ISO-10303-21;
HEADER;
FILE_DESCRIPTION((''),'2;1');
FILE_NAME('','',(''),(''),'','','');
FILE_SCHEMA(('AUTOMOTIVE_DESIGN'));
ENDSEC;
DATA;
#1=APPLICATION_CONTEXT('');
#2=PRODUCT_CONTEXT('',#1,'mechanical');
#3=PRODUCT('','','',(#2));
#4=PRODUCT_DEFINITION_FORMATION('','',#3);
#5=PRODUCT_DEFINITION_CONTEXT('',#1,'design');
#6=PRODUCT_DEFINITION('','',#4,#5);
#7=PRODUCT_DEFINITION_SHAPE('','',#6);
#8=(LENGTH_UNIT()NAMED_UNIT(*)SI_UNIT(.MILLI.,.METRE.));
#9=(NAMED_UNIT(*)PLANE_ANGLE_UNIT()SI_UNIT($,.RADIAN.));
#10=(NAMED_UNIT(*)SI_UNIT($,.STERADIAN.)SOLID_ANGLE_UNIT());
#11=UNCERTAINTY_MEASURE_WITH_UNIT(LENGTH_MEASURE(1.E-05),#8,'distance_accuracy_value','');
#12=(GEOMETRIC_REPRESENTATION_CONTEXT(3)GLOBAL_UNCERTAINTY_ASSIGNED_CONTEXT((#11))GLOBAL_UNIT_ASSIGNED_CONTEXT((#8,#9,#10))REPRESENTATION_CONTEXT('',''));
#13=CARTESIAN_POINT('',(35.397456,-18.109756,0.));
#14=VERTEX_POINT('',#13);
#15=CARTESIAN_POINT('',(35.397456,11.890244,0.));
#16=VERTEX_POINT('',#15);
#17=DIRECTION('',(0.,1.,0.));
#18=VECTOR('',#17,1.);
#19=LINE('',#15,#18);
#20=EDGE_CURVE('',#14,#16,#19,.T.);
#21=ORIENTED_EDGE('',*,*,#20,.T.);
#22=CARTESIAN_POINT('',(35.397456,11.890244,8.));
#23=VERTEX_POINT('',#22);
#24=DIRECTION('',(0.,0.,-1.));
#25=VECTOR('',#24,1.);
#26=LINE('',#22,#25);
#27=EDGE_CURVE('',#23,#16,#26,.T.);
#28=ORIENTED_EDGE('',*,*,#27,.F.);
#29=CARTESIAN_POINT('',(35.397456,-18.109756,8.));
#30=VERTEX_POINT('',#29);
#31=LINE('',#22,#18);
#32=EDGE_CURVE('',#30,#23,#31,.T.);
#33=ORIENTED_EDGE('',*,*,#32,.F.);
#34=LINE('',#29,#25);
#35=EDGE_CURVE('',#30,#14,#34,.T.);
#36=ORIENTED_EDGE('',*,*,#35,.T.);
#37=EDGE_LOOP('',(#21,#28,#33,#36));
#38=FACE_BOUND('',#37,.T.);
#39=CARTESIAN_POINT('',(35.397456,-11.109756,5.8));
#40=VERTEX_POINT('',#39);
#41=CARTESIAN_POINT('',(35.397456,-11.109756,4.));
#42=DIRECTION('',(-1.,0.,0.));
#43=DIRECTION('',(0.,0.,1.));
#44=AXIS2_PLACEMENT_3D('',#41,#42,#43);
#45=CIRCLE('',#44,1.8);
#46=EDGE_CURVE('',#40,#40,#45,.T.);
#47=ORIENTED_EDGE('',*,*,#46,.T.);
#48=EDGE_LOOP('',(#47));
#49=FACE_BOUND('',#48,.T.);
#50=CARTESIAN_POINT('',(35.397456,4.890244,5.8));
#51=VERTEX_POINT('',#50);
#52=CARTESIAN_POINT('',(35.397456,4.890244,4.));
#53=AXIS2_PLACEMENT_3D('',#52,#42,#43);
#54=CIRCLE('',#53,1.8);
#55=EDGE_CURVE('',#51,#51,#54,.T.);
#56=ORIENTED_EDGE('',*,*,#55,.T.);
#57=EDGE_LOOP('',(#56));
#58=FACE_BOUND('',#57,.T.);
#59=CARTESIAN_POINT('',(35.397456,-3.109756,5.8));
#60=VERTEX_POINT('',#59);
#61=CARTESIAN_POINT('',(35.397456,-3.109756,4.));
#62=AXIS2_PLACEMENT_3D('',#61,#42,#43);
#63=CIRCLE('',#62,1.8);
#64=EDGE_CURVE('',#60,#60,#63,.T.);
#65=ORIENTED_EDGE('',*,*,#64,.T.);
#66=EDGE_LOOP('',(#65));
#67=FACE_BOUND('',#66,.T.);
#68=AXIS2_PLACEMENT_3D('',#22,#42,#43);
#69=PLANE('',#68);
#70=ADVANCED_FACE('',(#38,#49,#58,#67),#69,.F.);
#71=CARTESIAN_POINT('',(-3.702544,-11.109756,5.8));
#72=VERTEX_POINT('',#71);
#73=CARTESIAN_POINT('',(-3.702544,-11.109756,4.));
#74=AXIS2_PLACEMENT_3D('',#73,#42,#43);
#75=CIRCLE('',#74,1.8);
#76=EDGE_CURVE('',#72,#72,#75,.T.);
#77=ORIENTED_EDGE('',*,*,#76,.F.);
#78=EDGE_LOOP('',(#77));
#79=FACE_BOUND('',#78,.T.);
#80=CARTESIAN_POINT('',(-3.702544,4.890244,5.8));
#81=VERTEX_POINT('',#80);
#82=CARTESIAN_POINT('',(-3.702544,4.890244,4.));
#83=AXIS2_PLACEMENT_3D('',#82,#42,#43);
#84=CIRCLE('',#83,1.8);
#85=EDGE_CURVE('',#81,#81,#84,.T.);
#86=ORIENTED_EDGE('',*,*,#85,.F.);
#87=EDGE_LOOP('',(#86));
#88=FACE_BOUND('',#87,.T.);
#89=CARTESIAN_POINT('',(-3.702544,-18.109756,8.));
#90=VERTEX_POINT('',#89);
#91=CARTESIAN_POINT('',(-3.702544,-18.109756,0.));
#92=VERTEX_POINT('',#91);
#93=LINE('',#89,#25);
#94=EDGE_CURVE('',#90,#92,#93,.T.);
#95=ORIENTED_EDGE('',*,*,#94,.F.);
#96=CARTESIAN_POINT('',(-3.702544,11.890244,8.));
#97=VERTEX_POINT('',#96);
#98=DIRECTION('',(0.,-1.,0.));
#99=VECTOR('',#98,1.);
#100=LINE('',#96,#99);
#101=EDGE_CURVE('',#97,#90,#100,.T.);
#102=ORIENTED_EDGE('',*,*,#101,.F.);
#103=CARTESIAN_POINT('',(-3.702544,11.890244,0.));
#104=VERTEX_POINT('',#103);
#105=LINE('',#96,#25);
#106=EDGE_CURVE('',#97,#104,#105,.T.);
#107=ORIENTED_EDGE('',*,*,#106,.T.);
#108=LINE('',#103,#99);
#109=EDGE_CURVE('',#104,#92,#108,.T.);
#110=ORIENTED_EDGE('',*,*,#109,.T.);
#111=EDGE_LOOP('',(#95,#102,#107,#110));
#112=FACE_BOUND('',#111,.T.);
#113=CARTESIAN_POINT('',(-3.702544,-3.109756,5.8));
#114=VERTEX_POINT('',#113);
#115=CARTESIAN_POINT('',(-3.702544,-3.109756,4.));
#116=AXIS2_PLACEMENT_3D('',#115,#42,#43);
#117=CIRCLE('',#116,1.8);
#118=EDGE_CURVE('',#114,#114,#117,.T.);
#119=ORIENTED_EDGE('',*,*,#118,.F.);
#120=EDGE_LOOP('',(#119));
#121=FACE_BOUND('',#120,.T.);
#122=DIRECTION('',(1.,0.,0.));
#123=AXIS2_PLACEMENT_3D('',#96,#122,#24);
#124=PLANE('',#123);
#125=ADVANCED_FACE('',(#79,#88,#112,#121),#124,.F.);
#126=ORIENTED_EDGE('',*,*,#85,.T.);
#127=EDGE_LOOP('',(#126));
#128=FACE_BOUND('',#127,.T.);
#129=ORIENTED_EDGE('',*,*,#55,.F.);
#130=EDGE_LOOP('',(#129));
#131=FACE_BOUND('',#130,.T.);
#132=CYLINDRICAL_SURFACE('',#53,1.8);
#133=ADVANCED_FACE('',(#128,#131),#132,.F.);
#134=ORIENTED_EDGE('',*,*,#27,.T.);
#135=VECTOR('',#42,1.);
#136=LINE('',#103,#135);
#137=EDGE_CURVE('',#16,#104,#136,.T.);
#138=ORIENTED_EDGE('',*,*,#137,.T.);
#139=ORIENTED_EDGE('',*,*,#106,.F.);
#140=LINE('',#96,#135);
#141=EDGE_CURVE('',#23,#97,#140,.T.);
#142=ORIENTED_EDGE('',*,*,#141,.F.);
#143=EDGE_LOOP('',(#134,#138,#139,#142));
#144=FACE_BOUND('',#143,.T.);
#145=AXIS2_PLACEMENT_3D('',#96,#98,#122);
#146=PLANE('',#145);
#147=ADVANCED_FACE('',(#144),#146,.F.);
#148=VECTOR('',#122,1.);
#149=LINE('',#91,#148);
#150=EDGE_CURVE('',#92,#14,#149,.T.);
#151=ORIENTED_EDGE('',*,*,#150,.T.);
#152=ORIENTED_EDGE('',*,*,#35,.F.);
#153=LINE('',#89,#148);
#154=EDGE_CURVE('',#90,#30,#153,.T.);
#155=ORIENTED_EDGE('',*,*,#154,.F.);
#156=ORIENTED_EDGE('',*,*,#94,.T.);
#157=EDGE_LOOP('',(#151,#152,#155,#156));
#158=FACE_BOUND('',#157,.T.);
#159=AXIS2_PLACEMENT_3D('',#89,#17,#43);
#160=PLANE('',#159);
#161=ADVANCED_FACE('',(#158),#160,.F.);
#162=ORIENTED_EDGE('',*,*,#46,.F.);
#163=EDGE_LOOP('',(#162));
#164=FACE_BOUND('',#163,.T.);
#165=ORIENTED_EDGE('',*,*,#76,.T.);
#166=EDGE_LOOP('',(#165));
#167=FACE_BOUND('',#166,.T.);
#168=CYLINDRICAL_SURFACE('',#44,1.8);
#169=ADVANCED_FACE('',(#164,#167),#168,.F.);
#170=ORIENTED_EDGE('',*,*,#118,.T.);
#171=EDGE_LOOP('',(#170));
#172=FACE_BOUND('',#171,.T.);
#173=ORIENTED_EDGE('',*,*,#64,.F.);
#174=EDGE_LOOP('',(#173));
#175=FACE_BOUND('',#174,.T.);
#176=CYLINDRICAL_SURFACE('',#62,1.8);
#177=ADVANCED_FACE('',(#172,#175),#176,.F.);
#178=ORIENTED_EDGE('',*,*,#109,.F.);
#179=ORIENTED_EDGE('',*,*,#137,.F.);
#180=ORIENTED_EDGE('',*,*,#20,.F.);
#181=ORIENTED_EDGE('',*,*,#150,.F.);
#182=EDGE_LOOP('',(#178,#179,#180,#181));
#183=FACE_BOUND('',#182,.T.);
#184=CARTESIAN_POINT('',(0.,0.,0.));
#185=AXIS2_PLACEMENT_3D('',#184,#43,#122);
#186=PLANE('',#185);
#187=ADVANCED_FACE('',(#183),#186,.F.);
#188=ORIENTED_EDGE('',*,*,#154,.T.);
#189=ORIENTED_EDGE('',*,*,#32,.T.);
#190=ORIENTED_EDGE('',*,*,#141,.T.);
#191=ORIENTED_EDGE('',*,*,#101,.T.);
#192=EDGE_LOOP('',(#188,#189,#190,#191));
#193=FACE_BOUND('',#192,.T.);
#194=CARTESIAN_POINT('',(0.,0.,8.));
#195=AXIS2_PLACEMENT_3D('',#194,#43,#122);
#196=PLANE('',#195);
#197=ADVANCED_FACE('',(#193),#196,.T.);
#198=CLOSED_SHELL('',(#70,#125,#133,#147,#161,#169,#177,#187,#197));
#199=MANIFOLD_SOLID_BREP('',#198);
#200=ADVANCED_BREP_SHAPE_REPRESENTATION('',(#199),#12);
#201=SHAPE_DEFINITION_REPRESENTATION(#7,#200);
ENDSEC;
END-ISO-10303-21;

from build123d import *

# Parameters (mm, degrees)
SKETCH_1_W          = 39.1
SKETCH_1_H          = 30
EXTRUDE_1_DEPTH     = 8
SKETCH_2_R          = 1.8
CUT_EXTRUDE_1_DEPTH = 44.826627362


with BuildPart() as part:
    # 草圖1 → 填料-伸長1 (new body)
    with BuildSketch(Plane.XY):
        with Locations((15.847455636, -3.109756098)):
            Rectangle(SKETCH_1_W, SKETCH_1_H)
    extrude(amount=EXTRUDE_1_DEPTH)

    # 草圖2 → 除料-伸長1 (cut, through all)
    with BuildSketch(Plane.ZY.offset(3.702544364)):
        with Locations((4, 4.890243902)):
            Circle(SKETCH_2_R)
        with Locations((4, -3.109756098)):
            Circle(SKETCH_2_R)
        with Locations((4, -11.109756098)):
            Circle(SKETCH_2_R)
    extrude(amount=-CUT_EXTRUDE_1_DEPTH, mode=Mode.SUBTRACT)


solid = part.part
